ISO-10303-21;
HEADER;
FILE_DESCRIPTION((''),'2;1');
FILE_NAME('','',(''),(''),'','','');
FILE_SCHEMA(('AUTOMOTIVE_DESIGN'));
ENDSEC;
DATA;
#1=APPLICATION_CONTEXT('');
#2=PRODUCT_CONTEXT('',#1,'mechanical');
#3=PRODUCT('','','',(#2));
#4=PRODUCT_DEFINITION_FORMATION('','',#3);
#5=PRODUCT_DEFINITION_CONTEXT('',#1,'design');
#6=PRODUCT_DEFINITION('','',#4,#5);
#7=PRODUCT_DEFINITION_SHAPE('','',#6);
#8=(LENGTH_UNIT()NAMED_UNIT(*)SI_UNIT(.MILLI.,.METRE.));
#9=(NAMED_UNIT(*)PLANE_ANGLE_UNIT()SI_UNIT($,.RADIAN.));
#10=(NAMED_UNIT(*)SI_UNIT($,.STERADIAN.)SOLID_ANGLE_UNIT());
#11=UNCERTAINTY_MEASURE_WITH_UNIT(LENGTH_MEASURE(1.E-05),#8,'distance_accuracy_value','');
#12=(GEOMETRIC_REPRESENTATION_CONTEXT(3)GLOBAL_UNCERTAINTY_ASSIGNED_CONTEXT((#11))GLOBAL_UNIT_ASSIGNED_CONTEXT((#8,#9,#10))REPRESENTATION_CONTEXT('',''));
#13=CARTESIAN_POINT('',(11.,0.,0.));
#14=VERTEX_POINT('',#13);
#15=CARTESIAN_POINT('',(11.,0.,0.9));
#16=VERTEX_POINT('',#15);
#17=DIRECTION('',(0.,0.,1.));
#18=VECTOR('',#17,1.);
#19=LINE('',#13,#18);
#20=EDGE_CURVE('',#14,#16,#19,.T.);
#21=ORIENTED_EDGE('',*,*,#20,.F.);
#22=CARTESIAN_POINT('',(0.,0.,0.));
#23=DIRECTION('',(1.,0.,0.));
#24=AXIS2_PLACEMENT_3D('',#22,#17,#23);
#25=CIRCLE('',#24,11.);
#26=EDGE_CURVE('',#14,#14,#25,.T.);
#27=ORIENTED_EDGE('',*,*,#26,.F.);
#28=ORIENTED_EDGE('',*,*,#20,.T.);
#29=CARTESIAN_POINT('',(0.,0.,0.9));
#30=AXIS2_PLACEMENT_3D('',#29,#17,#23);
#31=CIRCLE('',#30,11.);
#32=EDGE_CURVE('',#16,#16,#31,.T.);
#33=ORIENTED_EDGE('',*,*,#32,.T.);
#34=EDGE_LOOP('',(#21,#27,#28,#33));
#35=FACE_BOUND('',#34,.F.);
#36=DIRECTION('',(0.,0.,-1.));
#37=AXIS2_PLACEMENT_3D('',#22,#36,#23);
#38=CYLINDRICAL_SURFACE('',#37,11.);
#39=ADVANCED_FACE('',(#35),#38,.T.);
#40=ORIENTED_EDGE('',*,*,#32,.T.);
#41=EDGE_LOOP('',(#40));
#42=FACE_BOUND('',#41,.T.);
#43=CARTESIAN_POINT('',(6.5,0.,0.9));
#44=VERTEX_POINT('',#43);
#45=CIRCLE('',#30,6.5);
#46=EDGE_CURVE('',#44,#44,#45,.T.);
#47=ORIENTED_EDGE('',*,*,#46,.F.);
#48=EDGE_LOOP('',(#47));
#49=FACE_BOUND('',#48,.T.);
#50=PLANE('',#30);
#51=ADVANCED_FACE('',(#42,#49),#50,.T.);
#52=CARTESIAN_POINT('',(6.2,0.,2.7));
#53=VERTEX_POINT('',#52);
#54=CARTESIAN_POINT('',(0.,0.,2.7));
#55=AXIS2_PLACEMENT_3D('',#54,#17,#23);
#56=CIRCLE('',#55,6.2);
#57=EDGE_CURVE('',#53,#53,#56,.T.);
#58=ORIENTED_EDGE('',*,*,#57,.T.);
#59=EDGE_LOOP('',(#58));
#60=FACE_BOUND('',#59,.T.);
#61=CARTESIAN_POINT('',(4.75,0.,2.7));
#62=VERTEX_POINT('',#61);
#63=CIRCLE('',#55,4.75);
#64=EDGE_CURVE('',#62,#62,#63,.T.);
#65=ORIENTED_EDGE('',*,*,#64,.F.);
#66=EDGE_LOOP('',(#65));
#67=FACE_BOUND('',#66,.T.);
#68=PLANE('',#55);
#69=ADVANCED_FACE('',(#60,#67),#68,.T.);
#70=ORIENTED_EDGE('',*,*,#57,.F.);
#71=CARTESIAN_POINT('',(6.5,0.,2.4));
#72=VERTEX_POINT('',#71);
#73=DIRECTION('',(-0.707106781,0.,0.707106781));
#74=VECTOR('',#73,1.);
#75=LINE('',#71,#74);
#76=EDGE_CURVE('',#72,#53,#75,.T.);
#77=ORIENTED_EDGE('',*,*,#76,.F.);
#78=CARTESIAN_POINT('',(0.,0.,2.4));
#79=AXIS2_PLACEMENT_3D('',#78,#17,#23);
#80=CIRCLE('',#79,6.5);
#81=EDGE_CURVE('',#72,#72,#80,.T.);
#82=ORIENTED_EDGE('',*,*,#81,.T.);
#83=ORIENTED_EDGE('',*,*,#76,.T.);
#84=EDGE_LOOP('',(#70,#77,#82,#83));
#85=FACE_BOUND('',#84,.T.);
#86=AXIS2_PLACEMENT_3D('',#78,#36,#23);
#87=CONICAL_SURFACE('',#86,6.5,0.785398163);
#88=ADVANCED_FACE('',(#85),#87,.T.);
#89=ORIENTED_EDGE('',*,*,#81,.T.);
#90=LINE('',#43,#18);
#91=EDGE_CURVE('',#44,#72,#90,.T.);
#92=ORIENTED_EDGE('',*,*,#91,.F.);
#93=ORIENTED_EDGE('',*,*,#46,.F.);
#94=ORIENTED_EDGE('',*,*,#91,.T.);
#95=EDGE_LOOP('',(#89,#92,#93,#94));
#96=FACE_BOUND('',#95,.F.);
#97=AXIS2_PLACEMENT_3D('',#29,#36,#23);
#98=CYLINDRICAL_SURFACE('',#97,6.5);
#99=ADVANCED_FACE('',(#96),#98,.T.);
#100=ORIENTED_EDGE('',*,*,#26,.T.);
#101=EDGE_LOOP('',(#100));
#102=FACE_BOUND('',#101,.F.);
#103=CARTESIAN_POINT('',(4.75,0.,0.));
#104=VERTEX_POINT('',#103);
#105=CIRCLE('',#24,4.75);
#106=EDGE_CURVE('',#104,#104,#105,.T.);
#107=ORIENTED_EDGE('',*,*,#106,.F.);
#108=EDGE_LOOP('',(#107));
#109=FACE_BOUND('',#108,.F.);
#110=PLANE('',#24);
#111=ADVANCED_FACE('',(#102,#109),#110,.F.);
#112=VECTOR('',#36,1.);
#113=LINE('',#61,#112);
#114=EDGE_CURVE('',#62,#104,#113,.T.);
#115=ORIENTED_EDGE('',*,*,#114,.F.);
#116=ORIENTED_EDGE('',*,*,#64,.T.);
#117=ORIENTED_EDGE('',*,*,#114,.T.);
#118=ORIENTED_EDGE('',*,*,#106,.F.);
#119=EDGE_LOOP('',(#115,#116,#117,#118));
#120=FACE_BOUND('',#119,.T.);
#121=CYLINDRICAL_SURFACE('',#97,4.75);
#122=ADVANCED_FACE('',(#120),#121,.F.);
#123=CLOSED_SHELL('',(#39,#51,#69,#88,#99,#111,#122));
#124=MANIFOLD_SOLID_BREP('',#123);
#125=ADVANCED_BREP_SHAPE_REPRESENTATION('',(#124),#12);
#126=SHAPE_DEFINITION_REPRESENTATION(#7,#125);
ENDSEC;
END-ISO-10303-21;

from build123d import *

# Parameters (mm, degrees)
SKETCH_R      = 11
SKETCH_R_2    = 4.75
PAD_DEPTH     = 0.9
SKETCH001_R   = 6.5
SKETCH001_R_2 = 4.75
PAD001_DEPTH  = 1.8
CHAMFER_SIZE  = 0.3


with BuildPart() as part:
    # Sketch → Pad (new body)
    with BuildSketch(Plane.XY):
        Circle(SKETCH_R)
        Circle(SKETCH_R_2, mode=Mode.SUBTRACT)
    extrude(amount=PAD_DEPTH)

    # Sketch001 (on Face4 of Pad) → Pad001 (join)
    with BuildSketch(Plane.XY.offset(0.9)):
        Circle(SKETCH001_R)
        Circle(SKETCH001_R_2, mode=Mode.SUBTRACT)
    extrude(amount=PAD001_DEPTH)

    # Chamfer
    chamfer_edges = [part.edges().sort_by_distance(p)[0] for p in [
        (-6.5, 0, 2.7),
    ]]
    chamfer(chamfer_edges, length=CHAMFER_SIZE)


solid = part.part
